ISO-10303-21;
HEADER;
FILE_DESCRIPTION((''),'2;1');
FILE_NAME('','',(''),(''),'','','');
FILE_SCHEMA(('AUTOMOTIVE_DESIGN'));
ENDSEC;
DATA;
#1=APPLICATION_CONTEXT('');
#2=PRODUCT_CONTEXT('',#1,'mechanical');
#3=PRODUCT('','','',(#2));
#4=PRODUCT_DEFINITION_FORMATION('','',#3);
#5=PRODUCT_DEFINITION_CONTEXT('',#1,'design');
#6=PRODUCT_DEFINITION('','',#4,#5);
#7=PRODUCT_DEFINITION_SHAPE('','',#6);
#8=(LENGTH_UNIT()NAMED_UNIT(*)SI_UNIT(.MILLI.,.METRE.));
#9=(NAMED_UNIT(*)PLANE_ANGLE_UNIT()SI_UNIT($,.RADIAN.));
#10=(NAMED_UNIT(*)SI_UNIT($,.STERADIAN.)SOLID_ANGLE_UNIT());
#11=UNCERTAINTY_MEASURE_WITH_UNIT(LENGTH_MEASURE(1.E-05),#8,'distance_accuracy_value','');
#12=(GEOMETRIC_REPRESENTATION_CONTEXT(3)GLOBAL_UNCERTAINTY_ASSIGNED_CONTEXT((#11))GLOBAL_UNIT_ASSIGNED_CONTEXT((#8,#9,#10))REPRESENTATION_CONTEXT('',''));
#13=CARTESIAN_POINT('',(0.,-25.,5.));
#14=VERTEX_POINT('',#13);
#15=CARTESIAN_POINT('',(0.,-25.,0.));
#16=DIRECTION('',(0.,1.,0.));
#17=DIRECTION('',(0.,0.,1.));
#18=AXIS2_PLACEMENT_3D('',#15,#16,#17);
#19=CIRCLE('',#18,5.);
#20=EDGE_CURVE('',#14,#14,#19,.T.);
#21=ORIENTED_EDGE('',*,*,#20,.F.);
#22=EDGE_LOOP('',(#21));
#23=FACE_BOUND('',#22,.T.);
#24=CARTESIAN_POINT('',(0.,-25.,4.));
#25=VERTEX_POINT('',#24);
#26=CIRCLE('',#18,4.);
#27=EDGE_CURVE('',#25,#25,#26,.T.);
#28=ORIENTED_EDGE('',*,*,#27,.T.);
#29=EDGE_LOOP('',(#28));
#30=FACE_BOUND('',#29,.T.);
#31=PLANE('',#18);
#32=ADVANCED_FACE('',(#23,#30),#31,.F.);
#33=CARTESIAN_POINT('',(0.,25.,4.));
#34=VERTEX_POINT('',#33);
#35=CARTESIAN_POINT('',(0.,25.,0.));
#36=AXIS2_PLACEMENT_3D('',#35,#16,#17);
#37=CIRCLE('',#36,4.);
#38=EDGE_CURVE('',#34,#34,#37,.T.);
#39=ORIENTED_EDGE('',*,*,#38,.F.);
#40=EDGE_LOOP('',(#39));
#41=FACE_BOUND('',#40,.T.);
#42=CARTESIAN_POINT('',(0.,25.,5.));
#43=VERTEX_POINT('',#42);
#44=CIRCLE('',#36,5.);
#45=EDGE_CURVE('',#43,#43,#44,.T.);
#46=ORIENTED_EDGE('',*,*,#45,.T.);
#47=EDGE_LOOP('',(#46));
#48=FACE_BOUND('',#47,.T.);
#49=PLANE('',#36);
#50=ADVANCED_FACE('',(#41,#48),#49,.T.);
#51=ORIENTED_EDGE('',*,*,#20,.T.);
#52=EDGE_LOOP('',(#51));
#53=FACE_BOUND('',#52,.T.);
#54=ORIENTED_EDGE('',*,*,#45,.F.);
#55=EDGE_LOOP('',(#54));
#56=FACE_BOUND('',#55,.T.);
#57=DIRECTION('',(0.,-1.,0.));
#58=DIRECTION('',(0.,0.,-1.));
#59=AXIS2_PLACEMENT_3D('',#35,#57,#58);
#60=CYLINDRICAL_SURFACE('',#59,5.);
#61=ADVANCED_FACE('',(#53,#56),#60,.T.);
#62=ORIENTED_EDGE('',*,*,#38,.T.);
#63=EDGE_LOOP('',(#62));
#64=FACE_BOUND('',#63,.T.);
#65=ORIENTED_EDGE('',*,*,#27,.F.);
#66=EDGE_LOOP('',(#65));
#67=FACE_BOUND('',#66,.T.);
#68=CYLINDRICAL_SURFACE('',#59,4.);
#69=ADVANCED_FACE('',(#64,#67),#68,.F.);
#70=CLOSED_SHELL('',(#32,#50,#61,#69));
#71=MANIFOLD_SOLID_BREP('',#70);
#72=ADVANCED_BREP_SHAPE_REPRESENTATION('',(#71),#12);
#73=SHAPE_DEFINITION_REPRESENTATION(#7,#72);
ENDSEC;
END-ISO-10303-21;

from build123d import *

# Parameters (mm, degrees)
SKETCH1_R           = 5
SKETCH1_R_2         = 4
BOSS_EXTRUDE1_DEPTH = 25


with BuildPart() as part:
    # Sketch1 → Boss-Extrude1 (new body, symmetric)
    with BuildSketch(Plane(origin=(0, 0, 0), x_dir=(1, 0, 0), z_dir=(0, 1, 0))):
        Circle(SKETCH1_R)
        Circle(SKETCH1_R_2, mode=Mode.SUBTRACT)
    extrude(amount=BOSS_EXTRUDE1_DEPTH, both=True)


solid = part.part
